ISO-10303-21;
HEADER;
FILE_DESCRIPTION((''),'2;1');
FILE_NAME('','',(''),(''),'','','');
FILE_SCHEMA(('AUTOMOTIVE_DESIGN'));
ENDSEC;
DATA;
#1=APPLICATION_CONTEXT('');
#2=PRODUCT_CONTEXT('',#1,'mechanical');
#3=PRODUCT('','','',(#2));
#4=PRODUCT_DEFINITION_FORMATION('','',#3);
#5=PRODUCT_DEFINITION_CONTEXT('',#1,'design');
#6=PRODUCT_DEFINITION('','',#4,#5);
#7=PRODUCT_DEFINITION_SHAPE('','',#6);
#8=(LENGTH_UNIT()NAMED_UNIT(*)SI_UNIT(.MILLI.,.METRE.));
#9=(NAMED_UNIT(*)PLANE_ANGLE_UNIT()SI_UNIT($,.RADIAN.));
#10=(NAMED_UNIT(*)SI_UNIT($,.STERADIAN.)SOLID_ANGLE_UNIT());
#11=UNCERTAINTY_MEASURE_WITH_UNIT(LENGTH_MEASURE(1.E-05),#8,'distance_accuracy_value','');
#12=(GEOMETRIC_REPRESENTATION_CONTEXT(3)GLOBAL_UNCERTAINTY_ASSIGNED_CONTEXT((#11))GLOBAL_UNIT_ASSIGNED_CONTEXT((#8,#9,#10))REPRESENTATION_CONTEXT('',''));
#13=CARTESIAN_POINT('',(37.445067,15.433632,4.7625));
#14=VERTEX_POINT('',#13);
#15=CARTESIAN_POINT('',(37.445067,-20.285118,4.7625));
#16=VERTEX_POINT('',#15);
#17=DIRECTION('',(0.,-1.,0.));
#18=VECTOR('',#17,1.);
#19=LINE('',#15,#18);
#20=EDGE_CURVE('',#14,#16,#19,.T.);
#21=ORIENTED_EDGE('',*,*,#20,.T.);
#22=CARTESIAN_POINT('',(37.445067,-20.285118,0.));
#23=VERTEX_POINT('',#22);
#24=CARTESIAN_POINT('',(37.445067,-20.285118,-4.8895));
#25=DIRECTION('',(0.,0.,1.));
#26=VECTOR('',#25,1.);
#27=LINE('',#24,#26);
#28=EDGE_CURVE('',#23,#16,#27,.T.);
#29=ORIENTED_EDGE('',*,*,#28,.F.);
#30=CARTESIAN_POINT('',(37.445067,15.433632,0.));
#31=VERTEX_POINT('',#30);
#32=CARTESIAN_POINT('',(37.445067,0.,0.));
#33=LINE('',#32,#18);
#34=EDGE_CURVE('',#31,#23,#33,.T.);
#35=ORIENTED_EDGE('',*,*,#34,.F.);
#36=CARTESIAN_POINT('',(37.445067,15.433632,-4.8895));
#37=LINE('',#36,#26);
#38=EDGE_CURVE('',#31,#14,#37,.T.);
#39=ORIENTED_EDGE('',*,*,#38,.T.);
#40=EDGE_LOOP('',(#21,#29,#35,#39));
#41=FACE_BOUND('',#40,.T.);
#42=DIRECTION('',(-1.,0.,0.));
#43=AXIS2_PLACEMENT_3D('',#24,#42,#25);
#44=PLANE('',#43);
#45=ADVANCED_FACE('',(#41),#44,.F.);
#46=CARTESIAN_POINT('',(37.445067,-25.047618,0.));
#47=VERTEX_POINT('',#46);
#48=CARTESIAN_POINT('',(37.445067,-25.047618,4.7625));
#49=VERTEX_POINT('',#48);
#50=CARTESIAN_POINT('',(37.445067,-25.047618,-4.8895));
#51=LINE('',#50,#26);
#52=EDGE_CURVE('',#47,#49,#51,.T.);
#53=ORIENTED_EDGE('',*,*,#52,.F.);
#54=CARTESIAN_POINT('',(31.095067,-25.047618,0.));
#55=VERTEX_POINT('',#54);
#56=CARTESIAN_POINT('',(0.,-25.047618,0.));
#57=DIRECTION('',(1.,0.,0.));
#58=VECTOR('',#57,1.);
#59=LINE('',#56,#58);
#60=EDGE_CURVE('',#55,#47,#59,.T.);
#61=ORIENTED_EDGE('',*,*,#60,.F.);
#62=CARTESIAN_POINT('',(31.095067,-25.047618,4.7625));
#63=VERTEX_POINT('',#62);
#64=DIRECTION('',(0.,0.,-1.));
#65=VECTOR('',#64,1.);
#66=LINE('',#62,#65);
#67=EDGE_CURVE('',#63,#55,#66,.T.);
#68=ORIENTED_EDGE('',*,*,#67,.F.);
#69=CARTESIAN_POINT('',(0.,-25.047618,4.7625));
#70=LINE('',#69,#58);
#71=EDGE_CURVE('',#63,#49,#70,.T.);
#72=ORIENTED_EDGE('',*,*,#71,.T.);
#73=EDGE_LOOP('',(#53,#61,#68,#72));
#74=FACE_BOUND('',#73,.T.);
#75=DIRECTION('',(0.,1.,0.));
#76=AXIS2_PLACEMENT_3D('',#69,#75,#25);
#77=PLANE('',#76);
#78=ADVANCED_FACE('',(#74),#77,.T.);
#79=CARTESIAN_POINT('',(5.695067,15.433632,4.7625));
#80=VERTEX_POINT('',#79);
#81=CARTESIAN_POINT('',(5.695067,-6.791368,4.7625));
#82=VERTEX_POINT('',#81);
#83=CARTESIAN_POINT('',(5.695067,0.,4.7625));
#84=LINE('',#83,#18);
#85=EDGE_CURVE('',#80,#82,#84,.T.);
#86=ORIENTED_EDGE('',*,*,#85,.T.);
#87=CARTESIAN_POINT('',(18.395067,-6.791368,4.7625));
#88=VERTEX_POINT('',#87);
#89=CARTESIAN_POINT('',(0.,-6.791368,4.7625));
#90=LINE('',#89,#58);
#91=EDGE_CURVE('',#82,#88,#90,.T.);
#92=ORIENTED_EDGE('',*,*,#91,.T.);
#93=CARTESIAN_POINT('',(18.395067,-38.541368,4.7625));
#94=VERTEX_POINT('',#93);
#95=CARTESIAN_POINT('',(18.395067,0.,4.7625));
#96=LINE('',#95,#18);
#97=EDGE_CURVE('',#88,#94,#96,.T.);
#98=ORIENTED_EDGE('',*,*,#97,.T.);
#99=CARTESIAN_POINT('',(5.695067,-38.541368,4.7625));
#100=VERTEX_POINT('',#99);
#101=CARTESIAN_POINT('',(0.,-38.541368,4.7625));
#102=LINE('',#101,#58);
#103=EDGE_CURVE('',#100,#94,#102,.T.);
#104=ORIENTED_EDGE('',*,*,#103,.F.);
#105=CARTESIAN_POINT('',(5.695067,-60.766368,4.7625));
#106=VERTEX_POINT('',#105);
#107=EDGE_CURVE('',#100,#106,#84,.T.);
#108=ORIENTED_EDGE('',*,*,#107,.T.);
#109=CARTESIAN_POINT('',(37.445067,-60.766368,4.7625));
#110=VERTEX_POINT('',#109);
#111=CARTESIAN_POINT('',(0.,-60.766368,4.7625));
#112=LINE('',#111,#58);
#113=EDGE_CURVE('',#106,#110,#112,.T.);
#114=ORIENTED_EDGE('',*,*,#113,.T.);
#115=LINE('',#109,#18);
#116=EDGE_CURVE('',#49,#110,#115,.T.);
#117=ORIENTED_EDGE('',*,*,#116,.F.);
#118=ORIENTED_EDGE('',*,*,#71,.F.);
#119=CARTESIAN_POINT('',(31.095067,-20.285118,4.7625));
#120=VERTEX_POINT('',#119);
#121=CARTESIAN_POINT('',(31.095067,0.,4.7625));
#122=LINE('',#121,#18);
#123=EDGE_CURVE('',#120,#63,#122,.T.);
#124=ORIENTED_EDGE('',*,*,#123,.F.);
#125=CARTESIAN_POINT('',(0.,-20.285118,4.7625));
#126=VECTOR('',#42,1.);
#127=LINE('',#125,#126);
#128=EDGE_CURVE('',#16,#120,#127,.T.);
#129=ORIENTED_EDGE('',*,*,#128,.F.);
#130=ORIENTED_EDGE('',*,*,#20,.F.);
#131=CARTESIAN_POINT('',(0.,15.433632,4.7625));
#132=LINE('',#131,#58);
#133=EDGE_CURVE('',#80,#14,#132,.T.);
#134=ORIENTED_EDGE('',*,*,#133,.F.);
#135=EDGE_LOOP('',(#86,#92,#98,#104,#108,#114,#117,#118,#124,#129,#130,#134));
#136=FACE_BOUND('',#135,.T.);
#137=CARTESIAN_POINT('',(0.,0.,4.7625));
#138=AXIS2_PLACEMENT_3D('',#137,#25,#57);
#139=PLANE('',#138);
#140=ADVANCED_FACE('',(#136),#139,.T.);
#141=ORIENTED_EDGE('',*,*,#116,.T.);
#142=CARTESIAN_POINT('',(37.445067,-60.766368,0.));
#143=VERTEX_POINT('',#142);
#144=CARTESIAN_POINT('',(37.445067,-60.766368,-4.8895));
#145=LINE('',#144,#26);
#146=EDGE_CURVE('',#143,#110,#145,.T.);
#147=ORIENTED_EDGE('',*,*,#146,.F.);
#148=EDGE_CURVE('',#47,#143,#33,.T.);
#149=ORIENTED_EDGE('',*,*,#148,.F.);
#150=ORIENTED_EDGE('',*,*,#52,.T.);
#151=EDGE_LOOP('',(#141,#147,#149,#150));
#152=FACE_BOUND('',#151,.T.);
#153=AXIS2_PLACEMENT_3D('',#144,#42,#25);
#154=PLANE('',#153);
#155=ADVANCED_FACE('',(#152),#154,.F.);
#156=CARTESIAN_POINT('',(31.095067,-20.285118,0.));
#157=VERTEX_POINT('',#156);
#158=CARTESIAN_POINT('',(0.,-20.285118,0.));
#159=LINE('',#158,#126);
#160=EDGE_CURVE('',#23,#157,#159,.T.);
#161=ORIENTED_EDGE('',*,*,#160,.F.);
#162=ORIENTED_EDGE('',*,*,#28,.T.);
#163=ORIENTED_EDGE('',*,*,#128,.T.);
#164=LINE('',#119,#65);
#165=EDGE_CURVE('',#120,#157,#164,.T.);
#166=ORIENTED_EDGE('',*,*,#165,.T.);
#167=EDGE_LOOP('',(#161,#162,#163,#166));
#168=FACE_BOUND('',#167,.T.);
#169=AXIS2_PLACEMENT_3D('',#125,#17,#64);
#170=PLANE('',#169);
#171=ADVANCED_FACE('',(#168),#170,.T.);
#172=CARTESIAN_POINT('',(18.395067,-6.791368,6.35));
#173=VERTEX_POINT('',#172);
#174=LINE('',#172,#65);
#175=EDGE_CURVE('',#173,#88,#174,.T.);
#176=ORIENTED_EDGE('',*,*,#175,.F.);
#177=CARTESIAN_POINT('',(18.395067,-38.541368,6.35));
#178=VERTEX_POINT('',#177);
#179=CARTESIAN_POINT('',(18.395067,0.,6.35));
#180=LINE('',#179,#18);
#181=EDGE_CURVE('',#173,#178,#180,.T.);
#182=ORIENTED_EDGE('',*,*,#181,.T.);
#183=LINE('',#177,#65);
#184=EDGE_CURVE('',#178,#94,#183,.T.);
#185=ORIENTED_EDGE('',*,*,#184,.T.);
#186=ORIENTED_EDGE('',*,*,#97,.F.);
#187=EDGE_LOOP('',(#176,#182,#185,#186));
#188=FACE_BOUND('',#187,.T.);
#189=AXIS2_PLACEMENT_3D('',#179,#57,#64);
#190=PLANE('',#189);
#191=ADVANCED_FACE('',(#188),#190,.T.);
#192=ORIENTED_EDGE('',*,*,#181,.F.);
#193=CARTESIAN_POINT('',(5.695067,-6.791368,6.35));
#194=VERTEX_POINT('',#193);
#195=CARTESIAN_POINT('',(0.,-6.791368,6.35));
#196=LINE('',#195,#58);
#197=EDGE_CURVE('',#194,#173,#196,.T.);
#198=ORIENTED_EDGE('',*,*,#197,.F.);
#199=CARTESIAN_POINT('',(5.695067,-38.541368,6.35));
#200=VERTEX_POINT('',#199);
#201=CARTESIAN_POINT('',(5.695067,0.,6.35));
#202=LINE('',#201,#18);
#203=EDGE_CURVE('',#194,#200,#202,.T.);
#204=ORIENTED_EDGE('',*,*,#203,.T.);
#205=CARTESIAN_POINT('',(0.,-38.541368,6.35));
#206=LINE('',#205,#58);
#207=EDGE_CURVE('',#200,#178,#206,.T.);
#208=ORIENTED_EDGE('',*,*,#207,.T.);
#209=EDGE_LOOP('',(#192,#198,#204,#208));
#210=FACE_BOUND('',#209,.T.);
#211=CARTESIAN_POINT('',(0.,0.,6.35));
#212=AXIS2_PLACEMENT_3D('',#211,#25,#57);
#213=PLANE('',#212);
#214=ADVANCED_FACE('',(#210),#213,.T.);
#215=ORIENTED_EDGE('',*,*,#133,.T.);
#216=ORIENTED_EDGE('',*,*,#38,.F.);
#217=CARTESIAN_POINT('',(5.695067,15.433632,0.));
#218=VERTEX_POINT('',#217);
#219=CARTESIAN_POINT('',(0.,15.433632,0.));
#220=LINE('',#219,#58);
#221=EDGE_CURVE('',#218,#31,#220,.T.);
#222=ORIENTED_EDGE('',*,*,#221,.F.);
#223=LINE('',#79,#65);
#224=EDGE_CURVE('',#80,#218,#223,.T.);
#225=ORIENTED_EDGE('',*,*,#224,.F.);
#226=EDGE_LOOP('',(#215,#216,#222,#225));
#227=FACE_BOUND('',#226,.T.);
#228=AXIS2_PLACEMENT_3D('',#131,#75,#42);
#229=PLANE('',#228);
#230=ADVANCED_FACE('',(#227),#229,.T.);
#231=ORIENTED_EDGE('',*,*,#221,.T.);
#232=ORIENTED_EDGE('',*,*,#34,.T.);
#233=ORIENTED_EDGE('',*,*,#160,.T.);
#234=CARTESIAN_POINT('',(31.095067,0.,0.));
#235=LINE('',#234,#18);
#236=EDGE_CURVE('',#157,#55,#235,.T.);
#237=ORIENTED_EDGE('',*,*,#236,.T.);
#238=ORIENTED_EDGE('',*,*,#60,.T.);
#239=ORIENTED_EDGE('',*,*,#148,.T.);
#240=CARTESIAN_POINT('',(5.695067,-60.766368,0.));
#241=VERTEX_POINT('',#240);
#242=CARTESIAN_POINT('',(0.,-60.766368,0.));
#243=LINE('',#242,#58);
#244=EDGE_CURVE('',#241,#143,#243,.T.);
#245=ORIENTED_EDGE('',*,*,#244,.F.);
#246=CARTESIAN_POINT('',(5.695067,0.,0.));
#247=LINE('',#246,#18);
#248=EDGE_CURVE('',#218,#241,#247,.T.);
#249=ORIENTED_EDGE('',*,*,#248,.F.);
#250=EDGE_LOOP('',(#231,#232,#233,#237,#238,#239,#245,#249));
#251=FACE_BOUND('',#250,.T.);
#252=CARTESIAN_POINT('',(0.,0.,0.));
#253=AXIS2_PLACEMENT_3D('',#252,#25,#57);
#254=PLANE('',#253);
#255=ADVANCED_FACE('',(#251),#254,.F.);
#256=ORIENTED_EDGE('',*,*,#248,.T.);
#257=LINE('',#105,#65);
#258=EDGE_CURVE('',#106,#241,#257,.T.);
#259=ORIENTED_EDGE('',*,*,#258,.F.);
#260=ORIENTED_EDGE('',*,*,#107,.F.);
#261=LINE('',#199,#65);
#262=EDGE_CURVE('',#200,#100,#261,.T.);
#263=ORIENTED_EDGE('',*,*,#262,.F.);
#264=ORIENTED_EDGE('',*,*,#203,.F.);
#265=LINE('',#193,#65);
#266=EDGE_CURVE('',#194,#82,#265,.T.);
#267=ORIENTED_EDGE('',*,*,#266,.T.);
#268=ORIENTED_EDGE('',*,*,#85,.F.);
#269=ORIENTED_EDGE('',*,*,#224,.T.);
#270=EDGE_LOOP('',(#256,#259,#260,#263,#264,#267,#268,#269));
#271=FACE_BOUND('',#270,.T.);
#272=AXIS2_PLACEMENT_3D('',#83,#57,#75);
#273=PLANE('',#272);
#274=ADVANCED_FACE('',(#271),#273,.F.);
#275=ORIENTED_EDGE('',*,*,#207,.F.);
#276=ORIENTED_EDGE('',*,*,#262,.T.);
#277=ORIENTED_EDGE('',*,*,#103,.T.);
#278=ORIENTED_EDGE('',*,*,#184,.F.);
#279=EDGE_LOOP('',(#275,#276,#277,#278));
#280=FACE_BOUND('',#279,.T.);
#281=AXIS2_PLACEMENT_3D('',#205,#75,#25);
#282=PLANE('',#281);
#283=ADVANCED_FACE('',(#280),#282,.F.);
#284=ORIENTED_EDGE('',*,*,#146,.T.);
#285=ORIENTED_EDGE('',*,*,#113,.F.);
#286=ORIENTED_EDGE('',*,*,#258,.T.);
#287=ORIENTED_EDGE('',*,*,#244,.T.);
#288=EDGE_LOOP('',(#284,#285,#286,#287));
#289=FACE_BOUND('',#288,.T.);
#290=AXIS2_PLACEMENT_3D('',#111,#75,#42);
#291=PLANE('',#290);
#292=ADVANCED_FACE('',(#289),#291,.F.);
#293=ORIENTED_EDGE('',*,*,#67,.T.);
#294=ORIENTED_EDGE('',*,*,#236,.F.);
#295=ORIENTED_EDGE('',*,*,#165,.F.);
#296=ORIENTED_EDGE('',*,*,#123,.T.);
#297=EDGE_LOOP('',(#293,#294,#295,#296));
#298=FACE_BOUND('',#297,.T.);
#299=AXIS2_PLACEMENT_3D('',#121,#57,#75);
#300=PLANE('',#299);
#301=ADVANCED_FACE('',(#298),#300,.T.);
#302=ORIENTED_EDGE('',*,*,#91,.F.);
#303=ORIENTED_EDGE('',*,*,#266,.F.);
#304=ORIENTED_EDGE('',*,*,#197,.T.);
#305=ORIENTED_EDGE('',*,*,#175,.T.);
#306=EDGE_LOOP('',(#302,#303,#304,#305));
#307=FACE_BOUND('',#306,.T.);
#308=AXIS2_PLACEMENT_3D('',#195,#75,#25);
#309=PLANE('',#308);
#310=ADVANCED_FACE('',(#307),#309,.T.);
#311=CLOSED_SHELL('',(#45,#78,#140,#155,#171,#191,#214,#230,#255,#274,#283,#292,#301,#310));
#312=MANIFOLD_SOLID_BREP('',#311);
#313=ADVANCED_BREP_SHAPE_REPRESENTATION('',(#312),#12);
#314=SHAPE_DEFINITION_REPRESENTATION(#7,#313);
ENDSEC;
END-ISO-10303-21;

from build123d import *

# Parameters (mm, degrees)
BOSS_EXTRUDE3_DEPTH = 4.7625
BOSS_EXTRUDE5_DEPTH = 1.5875
SKETCH12_W          = 6.35
SKETCH12_H          = 35.71875
CUT_EXTRUDE1_DEPTH  = 9.652


with BuildPart() as part:
    # Sketch1 → Boss-Extrude3 (new body)
    with BuildSketch(Plane.XY):
        Polygon((43.795067265, 15.433632287), (5.695067265, 15.433632287), (5.695067265, -60.766367713), (43.795067265, -60.766367713), (43.795067265, -25.047617713), (31.095067265, -25.047617713), (31.095067265, -20.285117713), (43.795067265, -20.285117713), align=None)
    extrude(amount=BOSS_EXTRUDE3_DEPTH)

    # Sketch3 → Boss-Extrude5 (add)
    with BuildSketch(Plane.XY.offset(4.7625)):
        Polygon((18.395067265, -6.791367713), (5.695067265, -6.791367713), (5.695067265, -22.666367713), (5.695067265, -38.541367713), (18.395067265, -38.541367713), align=None)
    extrude(amount=BOSS_EXTRUDE5_DEPTH)

    # Sketch12 → Cut-Extrude1 (cut)
    with BuildSketch(Plane.XY.offset(4.7625)):
        with Locations((40.620067265, -42.906992713)):
            Rectangle(SKETCH12_W, SKETCH12_H)
        with Locations((40.620067265, -2.425742713)):
            Rectangle(SKETCH12_W, SKETCH12_H)
    extrude(amount=-CUT_EXTRUDE1_DEPTH, mode=Mode.SUBTRACT)


solid = part.part
